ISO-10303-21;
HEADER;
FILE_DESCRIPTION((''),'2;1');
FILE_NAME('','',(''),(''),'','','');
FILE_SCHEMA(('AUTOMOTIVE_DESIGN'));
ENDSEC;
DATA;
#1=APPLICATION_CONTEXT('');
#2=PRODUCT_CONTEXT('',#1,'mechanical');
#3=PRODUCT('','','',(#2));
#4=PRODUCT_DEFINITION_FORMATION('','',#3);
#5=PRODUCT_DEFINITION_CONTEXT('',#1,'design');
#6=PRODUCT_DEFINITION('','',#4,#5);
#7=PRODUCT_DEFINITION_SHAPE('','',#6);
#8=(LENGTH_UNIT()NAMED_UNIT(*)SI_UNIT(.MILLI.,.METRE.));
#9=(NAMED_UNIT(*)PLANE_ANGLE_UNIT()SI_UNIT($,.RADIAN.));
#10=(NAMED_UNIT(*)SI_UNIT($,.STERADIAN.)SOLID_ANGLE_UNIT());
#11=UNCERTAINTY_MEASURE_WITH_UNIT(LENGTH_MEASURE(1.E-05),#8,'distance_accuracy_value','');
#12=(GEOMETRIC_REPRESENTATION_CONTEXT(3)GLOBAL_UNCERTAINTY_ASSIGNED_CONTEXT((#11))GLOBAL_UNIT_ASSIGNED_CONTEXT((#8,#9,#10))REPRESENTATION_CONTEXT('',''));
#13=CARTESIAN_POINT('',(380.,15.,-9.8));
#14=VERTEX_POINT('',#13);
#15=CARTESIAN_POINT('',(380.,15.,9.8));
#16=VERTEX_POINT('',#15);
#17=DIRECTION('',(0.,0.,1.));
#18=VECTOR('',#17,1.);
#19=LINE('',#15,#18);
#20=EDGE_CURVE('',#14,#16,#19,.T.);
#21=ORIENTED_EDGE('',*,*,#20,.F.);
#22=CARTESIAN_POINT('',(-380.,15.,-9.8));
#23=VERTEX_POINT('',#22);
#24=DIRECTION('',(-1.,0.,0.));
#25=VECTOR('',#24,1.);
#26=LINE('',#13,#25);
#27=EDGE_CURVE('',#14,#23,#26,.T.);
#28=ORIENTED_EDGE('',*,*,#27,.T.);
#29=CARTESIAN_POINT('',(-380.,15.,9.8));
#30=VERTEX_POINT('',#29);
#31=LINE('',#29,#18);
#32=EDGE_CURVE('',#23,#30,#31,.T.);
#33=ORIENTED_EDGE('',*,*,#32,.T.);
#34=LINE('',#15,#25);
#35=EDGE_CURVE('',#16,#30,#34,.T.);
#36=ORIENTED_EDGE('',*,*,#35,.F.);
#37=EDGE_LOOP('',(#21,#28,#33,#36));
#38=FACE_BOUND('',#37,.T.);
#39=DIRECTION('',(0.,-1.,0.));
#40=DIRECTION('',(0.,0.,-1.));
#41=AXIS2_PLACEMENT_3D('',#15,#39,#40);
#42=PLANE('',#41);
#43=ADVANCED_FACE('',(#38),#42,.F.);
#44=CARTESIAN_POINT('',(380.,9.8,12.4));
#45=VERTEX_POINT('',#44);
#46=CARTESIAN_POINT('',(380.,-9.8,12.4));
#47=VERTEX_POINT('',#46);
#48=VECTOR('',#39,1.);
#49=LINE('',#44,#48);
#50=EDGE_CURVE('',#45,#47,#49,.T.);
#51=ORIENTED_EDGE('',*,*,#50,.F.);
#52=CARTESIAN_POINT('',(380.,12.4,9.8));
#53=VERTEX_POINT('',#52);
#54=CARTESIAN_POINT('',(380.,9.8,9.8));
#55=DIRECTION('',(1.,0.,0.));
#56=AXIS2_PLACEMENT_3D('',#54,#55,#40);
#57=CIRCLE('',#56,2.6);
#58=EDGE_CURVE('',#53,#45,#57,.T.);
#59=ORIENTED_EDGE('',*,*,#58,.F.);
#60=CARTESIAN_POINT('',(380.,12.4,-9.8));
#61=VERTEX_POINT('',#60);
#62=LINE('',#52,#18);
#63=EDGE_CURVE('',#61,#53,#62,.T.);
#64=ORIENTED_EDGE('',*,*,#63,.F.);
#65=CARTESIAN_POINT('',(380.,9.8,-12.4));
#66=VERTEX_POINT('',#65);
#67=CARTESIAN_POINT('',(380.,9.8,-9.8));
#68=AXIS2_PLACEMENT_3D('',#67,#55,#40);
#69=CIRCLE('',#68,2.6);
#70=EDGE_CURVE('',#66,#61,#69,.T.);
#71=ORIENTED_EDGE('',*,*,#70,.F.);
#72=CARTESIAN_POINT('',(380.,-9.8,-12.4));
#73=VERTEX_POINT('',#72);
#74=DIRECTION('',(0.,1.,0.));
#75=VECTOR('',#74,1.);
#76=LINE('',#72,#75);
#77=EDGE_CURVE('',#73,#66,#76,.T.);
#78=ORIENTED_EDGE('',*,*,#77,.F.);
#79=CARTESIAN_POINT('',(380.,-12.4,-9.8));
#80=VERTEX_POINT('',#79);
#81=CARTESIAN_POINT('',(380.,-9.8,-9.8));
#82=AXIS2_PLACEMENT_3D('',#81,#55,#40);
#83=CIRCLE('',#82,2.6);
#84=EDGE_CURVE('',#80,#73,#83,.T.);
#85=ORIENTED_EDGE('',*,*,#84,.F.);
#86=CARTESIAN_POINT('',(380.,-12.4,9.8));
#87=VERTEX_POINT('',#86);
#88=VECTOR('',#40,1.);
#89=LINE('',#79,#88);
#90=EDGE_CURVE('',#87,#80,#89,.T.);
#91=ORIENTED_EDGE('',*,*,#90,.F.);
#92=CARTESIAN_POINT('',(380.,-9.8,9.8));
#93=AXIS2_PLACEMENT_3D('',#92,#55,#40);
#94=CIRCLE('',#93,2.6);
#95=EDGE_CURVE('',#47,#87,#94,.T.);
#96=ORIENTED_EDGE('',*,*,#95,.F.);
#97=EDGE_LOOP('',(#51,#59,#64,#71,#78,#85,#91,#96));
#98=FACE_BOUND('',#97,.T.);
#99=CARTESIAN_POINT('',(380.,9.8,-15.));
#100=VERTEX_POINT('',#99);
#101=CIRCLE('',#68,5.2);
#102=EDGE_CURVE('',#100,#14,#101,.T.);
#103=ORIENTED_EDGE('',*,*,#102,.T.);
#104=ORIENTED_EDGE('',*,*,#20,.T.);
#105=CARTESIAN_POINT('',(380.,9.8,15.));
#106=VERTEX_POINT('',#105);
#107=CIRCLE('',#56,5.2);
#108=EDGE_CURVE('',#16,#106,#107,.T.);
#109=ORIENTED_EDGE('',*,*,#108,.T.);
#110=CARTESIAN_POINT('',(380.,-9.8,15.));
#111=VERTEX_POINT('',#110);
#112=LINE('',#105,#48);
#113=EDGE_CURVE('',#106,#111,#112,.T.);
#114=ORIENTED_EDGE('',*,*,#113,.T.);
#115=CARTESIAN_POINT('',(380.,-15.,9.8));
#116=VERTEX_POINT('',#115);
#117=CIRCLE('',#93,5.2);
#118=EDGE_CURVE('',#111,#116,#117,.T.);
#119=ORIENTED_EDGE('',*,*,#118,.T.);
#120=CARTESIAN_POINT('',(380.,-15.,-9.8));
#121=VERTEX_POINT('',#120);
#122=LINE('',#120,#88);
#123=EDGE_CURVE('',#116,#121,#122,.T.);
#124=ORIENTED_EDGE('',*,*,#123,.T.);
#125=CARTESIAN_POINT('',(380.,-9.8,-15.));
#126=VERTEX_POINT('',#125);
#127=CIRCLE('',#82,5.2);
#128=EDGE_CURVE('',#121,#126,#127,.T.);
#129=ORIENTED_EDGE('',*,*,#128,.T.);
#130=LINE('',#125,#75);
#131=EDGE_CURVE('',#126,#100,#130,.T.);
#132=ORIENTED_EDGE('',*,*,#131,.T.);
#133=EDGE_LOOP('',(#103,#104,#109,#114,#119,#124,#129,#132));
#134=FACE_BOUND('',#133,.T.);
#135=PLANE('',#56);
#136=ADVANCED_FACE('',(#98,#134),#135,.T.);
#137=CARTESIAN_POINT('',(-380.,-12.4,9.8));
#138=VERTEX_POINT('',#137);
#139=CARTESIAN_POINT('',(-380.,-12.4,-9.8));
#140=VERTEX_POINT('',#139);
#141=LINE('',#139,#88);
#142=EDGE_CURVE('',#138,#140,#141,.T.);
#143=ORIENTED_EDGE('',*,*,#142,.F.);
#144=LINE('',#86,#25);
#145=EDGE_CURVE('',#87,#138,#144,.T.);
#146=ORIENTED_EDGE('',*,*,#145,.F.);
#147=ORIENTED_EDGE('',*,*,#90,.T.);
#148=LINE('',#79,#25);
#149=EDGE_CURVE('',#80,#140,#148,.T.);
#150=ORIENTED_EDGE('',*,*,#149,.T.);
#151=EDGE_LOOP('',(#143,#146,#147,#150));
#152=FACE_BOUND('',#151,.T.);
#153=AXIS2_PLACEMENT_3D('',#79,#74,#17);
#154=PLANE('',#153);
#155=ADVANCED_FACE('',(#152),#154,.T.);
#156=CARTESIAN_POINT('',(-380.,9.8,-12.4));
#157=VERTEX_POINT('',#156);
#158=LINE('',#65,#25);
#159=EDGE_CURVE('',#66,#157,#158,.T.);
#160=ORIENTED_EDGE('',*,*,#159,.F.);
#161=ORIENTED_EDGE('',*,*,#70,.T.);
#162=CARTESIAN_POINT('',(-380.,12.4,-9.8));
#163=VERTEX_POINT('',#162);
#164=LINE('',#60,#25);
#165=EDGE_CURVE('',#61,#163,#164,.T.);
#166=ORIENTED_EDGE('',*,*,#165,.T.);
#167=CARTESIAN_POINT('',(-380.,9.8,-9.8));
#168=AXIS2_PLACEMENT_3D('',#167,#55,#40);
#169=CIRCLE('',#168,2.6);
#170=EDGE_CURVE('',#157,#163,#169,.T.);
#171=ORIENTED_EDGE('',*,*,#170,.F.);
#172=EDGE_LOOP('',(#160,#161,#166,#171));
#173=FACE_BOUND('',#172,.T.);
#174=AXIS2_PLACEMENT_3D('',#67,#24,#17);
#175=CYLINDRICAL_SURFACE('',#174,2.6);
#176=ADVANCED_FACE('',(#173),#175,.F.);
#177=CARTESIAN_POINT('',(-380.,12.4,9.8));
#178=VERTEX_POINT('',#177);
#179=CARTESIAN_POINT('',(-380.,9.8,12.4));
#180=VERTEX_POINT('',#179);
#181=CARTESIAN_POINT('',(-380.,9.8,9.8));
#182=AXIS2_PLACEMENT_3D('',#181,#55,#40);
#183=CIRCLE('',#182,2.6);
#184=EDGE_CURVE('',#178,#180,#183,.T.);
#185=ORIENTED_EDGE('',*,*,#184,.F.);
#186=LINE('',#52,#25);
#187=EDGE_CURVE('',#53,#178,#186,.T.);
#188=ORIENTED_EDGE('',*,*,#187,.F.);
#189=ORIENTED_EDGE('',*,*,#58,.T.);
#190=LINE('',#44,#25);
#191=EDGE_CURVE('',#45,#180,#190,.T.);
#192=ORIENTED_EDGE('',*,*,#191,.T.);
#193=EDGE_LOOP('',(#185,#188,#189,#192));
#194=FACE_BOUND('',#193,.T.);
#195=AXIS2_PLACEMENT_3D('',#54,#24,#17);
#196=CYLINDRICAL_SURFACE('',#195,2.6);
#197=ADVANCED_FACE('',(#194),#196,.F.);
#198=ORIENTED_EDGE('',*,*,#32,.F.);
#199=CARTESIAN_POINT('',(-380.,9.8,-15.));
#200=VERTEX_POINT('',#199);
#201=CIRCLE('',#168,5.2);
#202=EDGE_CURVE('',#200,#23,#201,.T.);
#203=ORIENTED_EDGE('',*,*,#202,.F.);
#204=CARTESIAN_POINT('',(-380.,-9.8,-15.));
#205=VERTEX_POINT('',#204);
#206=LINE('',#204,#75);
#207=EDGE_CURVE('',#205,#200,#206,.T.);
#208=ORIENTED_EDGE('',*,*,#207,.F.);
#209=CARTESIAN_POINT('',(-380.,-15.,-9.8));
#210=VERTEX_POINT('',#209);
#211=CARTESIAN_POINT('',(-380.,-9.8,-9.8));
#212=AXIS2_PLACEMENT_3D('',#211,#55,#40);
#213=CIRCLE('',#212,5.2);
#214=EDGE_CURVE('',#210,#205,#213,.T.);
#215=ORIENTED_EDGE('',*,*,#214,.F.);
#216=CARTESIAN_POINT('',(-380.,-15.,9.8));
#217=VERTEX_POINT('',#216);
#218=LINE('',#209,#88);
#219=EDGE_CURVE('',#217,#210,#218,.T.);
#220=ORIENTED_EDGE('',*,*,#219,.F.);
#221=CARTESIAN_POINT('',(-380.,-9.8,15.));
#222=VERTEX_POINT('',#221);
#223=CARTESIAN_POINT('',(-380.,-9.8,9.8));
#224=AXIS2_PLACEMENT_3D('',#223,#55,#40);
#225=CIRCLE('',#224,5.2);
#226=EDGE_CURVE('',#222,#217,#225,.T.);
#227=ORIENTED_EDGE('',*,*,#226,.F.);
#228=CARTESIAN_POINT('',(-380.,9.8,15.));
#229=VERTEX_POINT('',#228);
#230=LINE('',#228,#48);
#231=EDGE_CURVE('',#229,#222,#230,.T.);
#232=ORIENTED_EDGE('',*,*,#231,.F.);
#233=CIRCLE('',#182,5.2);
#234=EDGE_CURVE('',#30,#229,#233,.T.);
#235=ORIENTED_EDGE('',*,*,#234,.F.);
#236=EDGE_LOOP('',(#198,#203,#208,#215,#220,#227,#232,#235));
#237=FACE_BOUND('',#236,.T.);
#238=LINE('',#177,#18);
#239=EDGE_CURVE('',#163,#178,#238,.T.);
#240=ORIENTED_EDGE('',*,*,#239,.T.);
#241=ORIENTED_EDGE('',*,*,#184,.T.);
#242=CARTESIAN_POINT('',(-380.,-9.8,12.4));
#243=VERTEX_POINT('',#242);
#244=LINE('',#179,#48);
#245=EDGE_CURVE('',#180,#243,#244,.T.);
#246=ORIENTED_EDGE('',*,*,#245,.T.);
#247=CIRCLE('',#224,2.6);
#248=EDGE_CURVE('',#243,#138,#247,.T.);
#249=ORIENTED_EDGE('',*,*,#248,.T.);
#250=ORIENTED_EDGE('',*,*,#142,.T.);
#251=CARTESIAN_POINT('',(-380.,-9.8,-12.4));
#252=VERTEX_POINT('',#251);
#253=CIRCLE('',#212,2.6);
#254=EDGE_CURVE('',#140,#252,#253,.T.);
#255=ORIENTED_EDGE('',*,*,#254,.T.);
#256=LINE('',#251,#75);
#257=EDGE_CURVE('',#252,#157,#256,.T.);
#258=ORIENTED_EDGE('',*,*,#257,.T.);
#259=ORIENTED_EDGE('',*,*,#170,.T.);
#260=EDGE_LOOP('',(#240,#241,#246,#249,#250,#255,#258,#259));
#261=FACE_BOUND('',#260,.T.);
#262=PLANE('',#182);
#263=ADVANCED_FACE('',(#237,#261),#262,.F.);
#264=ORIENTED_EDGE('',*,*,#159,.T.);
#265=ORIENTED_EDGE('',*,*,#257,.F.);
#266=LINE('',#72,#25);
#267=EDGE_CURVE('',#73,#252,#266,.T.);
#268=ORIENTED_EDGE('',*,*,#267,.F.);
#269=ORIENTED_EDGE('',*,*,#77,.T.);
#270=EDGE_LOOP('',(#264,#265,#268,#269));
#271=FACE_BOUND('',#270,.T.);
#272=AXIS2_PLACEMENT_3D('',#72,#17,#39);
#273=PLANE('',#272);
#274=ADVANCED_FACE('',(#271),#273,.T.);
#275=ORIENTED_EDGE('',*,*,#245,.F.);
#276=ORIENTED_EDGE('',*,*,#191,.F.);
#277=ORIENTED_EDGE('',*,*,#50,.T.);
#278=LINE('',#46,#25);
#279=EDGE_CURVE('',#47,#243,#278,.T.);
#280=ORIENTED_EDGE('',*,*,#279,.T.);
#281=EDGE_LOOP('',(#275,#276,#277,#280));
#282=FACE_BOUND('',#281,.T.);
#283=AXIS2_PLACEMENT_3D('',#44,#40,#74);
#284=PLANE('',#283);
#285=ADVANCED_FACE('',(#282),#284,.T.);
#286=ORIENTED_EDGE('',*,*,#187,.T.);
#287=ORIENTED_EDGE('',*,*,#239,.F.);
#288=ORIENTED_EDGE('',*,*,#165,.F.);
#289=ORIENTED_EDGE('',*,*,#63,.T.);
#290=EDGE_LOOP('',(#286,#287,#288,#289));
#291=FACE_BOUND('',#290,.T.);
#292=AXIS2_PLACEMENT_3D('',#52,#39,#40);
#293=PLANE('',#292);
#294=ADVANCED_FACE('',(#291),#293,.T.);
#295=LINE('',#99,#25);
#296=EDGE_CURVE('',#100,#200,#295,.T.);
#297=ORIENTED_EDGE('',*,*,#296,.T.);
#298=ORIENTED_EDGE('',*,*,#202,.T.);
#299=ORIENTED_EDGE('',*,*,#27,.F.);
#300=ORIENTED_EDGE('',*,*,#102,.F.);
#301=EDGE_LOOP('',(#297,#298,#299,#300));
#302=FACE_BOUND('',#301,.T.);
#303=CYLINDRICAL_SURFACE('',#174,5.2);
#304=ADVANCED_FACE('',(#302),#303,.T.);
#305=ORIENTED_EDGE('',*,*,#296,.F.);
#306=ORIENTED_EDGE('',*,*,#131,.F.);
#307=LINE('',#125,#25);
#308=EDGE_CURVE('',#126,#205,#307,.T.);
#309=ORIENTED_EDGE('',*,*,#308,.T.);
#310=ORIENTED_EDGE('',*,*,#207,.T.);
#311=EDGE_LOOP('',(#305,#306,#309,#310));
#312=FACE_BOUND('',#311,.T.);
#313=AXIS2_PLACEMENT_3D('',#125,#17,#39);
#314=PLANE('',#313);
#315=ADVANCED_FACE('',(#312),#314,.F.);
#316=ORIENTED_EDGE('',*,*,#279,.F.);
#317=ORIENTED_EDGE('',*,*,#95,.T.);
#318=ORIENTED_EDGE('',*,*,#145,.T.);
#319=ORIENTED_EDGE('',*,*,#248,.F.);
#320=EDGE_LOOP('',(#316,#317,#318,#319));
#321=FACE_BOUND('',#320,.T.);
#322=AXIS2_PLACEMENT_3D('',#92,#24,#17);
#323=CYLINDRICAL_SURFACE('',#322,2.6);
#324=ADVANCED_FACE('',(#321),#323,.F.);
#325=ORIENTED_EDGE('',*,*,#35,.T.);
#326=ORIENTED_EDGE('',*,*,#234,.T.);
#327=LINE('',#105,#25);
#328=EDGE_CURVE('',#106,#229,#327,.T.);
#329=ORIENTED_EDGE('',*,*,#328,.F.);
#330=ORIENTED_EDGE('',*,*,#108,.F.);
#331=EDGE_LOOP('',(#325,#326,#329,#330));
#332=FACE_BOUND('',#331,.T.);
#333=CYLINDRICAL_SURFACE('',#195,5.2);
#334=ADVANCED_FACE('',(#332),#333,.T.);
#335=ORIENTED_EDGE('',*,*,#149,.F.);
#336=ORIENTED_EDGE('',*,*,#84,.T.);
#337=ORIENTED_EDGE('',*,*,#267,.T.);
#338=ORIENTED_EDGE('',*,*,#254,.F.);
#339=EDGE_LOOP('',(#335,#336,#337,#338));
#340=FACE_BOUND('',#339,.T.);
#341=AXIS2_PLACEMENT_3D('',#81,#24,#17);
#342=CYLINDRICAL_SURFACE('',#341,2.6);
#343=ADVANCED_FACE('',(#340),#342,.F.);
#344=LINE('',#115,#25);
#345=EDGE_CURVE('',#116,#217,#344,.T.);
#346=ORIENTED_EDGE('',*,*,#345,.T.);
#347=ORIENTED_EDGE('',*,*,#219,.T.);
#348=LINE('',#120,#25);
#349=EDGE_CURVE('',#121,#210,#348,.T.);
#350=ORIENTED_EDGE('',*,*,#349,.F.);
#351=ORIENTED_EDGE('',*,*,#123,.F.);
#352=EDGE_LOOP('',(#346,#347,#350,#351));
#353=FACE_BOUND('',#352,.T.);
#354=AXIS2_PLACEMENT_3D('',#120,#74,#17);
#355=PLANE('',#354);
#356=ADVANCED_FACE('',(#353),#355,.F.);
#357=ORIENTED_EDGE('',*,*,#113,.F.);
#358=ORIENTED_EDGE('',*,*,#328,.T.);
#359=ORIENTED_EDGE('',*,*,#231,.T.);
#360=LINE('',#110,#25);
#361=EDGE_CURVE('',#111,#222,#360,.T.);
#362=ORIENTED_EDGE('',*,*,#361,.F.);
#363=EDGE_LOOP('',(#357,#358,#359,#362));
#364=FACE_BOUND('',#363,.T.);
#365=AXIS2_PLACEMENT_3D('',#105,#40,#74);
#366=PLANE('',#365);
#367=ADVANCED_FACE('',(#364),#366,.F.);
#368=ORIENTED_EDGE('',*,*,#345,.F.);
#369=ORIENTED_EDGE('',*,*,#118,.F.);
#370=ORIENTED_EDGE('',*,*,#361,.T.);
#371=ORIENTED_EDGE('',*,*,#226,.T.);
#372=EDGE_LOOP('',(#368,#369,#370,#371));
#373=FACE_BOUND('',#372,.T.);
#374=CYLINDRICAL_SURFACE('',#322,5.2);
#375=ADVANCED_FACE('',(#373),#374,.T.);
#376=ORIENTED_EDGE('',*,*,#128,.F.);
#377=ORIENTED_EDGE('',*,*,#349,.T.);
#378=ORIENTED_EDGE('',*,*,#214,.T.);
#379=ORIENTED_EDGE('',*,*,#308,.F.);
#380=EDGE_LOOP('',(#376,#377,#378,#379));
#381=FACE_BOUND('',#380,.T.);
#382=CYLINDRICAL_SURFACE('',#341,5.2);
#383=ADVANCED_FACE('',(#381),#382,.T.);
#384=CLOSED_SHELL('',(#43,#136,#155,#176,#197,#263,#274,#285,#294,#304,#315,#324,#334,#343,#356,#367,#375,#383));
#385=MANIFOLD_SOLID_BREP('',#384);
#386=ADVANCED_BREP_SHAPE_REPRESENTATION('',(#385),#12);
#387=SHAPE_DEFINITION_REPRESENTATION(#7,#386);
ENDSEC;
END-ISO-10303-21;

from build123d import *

# Parameters (mm, degrees)
SQUARE_TUBE_CONFIGURED_30_X_30_X_2_6_1_DEPTH = 760


with BuildPart() as part:
    # Sketch13 → Square tube - configured 30 X 30 X 2.6(1) (new body)
    with BuildSketch(Plane.YZ.offset(-380)):
        with BuildLine():
            Line((-9.8, -15), (9.8, -15))
            ThreePointArc((9.8, -15), (13.476955262, -13.476955262), (15, -9.8))
            Line((15, -9.8), (15, 9.8))
            ThreePointArc((15, 9.8), (13.476955262, 13.476955262), (9.8, 15))
            Line((9.8, 15), (-9.8, 15))
            ThreePointArc((-9.8, 15), (-13.476955262, 13.476955262), (-15, 9.8))
            Line((-15, 9.8), (-15, -9.8))
            ThreePointArc((-15, -9.8), (-13.476955262, -13.476955262), (-9.8, -15))
        make_face()
        with BuildLine():
            Line((-9.8, -12.4), (9.8, -12.4))
            ThreePointArc((9.8, -12.4), (11.638477631, -11.638477631), (12.4, -9.8))
            Line((12.4, -9.8), (12.4, 9.8))
            ThreePointArc((12.4, 9.8), (11.638477631, 11.638477631), (9.8, 12.4))
            Line((9.8, 12.4), (-9.8, 12.4))
            ThreePointArc((-9.8, 12.4), (-11.638477631, 11.638477631), (-12.4, 9.8))
            Line((-12.4, 9.8), (-12.4, -9.8))
            ThreePointArc((-12.4, -9.8), (-11.638477631, -11.638477631), (-9.8, -12.4))
        make_face(mode=Mode.SUBTRACT)
    extrude(amount=SQUARE_TUBE_CONFIGURED_30_X_30_X_2_6_1_DEPTH)


solid = part.part
